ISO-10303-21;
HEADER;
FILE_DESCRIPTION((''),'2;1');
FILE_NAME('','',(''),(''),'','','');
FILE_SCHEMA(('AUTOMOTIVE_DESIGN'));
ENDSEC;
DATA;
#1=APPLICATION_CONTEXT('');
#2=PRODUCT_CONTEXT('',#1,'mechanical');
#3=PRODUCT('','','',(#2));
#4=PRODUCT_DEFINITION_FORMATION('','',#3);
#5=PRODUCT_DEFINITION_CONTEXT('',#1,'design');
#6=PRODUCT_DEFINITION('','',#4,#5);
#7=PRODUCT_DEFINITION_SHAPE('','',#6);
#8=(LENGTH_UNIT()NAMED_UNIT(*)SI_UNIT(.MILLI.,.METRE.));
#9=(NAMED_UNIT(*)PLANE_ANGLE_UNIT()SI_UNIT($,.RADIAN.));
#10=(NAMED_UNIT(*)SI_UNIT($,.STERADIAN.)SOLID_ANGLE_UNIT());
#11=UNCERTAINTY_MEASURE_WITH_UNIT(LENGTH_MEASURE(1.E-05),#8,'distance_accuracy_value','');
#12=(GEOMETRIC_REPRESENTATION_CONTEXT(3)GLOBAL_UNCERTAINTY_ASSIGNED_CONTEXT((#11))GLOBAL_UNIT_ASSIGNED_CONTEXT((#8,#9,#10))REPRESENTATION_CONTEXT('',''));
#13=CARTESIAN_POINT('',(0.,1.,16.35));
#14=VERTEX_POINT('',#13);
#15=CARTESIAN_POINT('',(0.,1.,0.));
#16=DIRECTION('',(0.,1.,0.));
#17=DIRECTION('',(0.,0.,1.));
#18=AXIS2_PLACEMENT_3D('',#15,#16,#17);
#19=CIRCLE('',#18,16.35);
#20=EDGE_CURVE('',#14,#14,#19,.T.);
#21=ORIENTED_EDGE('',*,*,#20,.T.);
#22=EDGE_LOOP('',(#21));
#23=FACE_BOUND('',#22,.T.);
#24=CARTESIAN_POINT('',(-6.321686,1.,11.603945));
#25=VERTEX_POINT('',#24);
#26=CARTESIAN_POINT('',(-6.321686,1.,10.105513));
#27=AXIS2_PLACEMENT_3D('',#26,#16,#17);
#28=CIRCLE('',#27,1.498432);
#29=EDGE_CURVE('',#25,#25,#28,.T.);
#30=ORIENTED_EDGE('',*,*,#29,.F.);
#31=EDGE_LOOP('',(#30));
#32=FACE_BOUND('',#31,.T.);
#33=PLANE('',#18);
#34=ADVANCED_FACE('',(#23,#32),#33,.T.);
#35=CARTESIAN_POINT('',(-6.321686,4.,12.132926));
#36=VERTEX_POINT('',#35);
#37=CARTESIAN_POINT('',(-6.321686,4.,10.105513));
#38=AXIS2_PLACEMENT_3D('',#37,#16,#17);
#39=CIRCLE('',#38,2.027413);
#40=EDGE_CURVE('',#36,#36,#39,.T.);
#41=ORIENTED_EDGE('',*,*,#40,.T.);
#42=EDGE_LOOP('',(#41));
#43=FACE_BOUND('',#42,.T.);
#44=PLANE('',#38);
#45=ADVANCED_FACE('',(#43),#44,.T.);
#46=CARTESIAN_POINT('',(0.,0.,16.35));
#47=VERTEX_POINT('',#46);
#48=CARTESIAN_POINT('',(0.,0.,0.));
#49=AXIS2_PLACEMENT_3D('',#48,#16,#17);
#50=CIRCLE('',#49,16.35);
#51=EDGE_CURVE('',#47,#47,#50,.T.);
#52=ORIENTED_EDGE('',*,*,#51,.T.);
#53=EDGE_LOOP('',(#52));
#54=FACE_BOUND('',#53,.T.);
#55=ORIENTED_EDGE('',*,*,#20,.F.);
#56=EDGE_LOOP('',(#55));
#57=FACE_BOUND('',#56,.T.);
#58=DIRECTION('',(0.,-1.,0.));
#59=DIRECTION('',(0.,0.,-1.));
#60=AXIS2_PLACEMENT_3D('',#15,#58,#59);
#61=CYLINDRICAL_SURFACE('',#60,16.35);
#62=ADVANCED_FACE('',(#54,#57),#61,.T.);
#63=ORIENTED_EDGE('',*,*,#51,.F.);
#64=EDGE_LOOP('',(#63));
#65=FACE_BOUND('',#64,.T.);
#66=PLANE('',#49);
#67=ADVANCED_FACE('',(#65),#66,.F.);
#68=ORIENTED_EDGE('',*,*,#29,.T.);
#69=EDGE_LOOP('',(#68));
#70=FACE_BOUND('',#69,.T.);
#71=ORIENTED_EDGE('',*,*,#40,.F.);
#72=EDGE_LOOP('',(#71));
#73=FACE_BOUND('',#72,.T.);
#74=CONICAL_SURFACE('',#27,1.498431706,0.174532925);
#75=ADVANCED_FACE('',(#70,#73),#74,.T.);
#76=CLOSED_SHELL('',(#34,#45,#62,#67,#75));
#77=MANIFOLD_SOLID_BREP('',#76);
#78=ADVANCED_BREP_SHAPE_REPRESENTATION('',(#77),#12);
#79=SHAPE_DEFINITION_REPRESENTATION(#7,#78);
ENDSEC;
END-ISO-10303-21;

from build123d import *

# Parameters (mm, degrees)
SKETCH1_R           = 16.35
BOSS_EXTRUDE1_DEPTH = 1
SKETCH2_R           = 1.498431706
BOSS_EXTRUDE2_DEPTH = 3
BOSS_EXTRUDE2_DRAFT = -10


with BuildPart() as part:
    # Sketch1 → Boss-Extrude1 (new body)
    with BuildSketch(Plane(origin=(0, 0, 0), x_dir=(1, 0, 0), z_dir=(0, 1, 0))):
        with Locations(Location((0, 0, 0), (0, 0, 270))):
            Circle(SKETCH1_R)
    extrude(amount=BOSS_EXTRUDE1_DEPTH)


with BuildPart() as boss_extrude2_tool:
    # Sketch2 → Boss-Extrude2 (with draft: the straight prism first)
    with BuildSketch(Plane(origin=(0, 1, 0), x_dir=(1, 0, 0), z_dir=(0, 1, 0))):
        with Locations((-6.321685986, -10.105513291)):
            Circle(SKETCH2_R)
    extrude(amount=BOSS_EXTRUDE2_DEPTH)
    # Boss-Extrude2: the draft: its side faces are tilted about the plane it starts from
    boss_extrude2_sides = [boss_extrude2_tool.faces().sort_by_distance(p)[0] for p in [
        (-7.820117692, 2.5, 10.105513291),
    ]]
    draft(boss_extrude2_sides, Plane(origin=(0, 1, 0), x_dir=(1, 0, 0), z_dir=(0, 1, 0)), BOSS_EXTRUDE2_DRAFT)


with BuildPart() as part_1:
    add(part.part)

    # Boss-Extrude2: add boss_extrude2_tool
    add(boss_extrude2_tool.part)


solid = part_1.part
